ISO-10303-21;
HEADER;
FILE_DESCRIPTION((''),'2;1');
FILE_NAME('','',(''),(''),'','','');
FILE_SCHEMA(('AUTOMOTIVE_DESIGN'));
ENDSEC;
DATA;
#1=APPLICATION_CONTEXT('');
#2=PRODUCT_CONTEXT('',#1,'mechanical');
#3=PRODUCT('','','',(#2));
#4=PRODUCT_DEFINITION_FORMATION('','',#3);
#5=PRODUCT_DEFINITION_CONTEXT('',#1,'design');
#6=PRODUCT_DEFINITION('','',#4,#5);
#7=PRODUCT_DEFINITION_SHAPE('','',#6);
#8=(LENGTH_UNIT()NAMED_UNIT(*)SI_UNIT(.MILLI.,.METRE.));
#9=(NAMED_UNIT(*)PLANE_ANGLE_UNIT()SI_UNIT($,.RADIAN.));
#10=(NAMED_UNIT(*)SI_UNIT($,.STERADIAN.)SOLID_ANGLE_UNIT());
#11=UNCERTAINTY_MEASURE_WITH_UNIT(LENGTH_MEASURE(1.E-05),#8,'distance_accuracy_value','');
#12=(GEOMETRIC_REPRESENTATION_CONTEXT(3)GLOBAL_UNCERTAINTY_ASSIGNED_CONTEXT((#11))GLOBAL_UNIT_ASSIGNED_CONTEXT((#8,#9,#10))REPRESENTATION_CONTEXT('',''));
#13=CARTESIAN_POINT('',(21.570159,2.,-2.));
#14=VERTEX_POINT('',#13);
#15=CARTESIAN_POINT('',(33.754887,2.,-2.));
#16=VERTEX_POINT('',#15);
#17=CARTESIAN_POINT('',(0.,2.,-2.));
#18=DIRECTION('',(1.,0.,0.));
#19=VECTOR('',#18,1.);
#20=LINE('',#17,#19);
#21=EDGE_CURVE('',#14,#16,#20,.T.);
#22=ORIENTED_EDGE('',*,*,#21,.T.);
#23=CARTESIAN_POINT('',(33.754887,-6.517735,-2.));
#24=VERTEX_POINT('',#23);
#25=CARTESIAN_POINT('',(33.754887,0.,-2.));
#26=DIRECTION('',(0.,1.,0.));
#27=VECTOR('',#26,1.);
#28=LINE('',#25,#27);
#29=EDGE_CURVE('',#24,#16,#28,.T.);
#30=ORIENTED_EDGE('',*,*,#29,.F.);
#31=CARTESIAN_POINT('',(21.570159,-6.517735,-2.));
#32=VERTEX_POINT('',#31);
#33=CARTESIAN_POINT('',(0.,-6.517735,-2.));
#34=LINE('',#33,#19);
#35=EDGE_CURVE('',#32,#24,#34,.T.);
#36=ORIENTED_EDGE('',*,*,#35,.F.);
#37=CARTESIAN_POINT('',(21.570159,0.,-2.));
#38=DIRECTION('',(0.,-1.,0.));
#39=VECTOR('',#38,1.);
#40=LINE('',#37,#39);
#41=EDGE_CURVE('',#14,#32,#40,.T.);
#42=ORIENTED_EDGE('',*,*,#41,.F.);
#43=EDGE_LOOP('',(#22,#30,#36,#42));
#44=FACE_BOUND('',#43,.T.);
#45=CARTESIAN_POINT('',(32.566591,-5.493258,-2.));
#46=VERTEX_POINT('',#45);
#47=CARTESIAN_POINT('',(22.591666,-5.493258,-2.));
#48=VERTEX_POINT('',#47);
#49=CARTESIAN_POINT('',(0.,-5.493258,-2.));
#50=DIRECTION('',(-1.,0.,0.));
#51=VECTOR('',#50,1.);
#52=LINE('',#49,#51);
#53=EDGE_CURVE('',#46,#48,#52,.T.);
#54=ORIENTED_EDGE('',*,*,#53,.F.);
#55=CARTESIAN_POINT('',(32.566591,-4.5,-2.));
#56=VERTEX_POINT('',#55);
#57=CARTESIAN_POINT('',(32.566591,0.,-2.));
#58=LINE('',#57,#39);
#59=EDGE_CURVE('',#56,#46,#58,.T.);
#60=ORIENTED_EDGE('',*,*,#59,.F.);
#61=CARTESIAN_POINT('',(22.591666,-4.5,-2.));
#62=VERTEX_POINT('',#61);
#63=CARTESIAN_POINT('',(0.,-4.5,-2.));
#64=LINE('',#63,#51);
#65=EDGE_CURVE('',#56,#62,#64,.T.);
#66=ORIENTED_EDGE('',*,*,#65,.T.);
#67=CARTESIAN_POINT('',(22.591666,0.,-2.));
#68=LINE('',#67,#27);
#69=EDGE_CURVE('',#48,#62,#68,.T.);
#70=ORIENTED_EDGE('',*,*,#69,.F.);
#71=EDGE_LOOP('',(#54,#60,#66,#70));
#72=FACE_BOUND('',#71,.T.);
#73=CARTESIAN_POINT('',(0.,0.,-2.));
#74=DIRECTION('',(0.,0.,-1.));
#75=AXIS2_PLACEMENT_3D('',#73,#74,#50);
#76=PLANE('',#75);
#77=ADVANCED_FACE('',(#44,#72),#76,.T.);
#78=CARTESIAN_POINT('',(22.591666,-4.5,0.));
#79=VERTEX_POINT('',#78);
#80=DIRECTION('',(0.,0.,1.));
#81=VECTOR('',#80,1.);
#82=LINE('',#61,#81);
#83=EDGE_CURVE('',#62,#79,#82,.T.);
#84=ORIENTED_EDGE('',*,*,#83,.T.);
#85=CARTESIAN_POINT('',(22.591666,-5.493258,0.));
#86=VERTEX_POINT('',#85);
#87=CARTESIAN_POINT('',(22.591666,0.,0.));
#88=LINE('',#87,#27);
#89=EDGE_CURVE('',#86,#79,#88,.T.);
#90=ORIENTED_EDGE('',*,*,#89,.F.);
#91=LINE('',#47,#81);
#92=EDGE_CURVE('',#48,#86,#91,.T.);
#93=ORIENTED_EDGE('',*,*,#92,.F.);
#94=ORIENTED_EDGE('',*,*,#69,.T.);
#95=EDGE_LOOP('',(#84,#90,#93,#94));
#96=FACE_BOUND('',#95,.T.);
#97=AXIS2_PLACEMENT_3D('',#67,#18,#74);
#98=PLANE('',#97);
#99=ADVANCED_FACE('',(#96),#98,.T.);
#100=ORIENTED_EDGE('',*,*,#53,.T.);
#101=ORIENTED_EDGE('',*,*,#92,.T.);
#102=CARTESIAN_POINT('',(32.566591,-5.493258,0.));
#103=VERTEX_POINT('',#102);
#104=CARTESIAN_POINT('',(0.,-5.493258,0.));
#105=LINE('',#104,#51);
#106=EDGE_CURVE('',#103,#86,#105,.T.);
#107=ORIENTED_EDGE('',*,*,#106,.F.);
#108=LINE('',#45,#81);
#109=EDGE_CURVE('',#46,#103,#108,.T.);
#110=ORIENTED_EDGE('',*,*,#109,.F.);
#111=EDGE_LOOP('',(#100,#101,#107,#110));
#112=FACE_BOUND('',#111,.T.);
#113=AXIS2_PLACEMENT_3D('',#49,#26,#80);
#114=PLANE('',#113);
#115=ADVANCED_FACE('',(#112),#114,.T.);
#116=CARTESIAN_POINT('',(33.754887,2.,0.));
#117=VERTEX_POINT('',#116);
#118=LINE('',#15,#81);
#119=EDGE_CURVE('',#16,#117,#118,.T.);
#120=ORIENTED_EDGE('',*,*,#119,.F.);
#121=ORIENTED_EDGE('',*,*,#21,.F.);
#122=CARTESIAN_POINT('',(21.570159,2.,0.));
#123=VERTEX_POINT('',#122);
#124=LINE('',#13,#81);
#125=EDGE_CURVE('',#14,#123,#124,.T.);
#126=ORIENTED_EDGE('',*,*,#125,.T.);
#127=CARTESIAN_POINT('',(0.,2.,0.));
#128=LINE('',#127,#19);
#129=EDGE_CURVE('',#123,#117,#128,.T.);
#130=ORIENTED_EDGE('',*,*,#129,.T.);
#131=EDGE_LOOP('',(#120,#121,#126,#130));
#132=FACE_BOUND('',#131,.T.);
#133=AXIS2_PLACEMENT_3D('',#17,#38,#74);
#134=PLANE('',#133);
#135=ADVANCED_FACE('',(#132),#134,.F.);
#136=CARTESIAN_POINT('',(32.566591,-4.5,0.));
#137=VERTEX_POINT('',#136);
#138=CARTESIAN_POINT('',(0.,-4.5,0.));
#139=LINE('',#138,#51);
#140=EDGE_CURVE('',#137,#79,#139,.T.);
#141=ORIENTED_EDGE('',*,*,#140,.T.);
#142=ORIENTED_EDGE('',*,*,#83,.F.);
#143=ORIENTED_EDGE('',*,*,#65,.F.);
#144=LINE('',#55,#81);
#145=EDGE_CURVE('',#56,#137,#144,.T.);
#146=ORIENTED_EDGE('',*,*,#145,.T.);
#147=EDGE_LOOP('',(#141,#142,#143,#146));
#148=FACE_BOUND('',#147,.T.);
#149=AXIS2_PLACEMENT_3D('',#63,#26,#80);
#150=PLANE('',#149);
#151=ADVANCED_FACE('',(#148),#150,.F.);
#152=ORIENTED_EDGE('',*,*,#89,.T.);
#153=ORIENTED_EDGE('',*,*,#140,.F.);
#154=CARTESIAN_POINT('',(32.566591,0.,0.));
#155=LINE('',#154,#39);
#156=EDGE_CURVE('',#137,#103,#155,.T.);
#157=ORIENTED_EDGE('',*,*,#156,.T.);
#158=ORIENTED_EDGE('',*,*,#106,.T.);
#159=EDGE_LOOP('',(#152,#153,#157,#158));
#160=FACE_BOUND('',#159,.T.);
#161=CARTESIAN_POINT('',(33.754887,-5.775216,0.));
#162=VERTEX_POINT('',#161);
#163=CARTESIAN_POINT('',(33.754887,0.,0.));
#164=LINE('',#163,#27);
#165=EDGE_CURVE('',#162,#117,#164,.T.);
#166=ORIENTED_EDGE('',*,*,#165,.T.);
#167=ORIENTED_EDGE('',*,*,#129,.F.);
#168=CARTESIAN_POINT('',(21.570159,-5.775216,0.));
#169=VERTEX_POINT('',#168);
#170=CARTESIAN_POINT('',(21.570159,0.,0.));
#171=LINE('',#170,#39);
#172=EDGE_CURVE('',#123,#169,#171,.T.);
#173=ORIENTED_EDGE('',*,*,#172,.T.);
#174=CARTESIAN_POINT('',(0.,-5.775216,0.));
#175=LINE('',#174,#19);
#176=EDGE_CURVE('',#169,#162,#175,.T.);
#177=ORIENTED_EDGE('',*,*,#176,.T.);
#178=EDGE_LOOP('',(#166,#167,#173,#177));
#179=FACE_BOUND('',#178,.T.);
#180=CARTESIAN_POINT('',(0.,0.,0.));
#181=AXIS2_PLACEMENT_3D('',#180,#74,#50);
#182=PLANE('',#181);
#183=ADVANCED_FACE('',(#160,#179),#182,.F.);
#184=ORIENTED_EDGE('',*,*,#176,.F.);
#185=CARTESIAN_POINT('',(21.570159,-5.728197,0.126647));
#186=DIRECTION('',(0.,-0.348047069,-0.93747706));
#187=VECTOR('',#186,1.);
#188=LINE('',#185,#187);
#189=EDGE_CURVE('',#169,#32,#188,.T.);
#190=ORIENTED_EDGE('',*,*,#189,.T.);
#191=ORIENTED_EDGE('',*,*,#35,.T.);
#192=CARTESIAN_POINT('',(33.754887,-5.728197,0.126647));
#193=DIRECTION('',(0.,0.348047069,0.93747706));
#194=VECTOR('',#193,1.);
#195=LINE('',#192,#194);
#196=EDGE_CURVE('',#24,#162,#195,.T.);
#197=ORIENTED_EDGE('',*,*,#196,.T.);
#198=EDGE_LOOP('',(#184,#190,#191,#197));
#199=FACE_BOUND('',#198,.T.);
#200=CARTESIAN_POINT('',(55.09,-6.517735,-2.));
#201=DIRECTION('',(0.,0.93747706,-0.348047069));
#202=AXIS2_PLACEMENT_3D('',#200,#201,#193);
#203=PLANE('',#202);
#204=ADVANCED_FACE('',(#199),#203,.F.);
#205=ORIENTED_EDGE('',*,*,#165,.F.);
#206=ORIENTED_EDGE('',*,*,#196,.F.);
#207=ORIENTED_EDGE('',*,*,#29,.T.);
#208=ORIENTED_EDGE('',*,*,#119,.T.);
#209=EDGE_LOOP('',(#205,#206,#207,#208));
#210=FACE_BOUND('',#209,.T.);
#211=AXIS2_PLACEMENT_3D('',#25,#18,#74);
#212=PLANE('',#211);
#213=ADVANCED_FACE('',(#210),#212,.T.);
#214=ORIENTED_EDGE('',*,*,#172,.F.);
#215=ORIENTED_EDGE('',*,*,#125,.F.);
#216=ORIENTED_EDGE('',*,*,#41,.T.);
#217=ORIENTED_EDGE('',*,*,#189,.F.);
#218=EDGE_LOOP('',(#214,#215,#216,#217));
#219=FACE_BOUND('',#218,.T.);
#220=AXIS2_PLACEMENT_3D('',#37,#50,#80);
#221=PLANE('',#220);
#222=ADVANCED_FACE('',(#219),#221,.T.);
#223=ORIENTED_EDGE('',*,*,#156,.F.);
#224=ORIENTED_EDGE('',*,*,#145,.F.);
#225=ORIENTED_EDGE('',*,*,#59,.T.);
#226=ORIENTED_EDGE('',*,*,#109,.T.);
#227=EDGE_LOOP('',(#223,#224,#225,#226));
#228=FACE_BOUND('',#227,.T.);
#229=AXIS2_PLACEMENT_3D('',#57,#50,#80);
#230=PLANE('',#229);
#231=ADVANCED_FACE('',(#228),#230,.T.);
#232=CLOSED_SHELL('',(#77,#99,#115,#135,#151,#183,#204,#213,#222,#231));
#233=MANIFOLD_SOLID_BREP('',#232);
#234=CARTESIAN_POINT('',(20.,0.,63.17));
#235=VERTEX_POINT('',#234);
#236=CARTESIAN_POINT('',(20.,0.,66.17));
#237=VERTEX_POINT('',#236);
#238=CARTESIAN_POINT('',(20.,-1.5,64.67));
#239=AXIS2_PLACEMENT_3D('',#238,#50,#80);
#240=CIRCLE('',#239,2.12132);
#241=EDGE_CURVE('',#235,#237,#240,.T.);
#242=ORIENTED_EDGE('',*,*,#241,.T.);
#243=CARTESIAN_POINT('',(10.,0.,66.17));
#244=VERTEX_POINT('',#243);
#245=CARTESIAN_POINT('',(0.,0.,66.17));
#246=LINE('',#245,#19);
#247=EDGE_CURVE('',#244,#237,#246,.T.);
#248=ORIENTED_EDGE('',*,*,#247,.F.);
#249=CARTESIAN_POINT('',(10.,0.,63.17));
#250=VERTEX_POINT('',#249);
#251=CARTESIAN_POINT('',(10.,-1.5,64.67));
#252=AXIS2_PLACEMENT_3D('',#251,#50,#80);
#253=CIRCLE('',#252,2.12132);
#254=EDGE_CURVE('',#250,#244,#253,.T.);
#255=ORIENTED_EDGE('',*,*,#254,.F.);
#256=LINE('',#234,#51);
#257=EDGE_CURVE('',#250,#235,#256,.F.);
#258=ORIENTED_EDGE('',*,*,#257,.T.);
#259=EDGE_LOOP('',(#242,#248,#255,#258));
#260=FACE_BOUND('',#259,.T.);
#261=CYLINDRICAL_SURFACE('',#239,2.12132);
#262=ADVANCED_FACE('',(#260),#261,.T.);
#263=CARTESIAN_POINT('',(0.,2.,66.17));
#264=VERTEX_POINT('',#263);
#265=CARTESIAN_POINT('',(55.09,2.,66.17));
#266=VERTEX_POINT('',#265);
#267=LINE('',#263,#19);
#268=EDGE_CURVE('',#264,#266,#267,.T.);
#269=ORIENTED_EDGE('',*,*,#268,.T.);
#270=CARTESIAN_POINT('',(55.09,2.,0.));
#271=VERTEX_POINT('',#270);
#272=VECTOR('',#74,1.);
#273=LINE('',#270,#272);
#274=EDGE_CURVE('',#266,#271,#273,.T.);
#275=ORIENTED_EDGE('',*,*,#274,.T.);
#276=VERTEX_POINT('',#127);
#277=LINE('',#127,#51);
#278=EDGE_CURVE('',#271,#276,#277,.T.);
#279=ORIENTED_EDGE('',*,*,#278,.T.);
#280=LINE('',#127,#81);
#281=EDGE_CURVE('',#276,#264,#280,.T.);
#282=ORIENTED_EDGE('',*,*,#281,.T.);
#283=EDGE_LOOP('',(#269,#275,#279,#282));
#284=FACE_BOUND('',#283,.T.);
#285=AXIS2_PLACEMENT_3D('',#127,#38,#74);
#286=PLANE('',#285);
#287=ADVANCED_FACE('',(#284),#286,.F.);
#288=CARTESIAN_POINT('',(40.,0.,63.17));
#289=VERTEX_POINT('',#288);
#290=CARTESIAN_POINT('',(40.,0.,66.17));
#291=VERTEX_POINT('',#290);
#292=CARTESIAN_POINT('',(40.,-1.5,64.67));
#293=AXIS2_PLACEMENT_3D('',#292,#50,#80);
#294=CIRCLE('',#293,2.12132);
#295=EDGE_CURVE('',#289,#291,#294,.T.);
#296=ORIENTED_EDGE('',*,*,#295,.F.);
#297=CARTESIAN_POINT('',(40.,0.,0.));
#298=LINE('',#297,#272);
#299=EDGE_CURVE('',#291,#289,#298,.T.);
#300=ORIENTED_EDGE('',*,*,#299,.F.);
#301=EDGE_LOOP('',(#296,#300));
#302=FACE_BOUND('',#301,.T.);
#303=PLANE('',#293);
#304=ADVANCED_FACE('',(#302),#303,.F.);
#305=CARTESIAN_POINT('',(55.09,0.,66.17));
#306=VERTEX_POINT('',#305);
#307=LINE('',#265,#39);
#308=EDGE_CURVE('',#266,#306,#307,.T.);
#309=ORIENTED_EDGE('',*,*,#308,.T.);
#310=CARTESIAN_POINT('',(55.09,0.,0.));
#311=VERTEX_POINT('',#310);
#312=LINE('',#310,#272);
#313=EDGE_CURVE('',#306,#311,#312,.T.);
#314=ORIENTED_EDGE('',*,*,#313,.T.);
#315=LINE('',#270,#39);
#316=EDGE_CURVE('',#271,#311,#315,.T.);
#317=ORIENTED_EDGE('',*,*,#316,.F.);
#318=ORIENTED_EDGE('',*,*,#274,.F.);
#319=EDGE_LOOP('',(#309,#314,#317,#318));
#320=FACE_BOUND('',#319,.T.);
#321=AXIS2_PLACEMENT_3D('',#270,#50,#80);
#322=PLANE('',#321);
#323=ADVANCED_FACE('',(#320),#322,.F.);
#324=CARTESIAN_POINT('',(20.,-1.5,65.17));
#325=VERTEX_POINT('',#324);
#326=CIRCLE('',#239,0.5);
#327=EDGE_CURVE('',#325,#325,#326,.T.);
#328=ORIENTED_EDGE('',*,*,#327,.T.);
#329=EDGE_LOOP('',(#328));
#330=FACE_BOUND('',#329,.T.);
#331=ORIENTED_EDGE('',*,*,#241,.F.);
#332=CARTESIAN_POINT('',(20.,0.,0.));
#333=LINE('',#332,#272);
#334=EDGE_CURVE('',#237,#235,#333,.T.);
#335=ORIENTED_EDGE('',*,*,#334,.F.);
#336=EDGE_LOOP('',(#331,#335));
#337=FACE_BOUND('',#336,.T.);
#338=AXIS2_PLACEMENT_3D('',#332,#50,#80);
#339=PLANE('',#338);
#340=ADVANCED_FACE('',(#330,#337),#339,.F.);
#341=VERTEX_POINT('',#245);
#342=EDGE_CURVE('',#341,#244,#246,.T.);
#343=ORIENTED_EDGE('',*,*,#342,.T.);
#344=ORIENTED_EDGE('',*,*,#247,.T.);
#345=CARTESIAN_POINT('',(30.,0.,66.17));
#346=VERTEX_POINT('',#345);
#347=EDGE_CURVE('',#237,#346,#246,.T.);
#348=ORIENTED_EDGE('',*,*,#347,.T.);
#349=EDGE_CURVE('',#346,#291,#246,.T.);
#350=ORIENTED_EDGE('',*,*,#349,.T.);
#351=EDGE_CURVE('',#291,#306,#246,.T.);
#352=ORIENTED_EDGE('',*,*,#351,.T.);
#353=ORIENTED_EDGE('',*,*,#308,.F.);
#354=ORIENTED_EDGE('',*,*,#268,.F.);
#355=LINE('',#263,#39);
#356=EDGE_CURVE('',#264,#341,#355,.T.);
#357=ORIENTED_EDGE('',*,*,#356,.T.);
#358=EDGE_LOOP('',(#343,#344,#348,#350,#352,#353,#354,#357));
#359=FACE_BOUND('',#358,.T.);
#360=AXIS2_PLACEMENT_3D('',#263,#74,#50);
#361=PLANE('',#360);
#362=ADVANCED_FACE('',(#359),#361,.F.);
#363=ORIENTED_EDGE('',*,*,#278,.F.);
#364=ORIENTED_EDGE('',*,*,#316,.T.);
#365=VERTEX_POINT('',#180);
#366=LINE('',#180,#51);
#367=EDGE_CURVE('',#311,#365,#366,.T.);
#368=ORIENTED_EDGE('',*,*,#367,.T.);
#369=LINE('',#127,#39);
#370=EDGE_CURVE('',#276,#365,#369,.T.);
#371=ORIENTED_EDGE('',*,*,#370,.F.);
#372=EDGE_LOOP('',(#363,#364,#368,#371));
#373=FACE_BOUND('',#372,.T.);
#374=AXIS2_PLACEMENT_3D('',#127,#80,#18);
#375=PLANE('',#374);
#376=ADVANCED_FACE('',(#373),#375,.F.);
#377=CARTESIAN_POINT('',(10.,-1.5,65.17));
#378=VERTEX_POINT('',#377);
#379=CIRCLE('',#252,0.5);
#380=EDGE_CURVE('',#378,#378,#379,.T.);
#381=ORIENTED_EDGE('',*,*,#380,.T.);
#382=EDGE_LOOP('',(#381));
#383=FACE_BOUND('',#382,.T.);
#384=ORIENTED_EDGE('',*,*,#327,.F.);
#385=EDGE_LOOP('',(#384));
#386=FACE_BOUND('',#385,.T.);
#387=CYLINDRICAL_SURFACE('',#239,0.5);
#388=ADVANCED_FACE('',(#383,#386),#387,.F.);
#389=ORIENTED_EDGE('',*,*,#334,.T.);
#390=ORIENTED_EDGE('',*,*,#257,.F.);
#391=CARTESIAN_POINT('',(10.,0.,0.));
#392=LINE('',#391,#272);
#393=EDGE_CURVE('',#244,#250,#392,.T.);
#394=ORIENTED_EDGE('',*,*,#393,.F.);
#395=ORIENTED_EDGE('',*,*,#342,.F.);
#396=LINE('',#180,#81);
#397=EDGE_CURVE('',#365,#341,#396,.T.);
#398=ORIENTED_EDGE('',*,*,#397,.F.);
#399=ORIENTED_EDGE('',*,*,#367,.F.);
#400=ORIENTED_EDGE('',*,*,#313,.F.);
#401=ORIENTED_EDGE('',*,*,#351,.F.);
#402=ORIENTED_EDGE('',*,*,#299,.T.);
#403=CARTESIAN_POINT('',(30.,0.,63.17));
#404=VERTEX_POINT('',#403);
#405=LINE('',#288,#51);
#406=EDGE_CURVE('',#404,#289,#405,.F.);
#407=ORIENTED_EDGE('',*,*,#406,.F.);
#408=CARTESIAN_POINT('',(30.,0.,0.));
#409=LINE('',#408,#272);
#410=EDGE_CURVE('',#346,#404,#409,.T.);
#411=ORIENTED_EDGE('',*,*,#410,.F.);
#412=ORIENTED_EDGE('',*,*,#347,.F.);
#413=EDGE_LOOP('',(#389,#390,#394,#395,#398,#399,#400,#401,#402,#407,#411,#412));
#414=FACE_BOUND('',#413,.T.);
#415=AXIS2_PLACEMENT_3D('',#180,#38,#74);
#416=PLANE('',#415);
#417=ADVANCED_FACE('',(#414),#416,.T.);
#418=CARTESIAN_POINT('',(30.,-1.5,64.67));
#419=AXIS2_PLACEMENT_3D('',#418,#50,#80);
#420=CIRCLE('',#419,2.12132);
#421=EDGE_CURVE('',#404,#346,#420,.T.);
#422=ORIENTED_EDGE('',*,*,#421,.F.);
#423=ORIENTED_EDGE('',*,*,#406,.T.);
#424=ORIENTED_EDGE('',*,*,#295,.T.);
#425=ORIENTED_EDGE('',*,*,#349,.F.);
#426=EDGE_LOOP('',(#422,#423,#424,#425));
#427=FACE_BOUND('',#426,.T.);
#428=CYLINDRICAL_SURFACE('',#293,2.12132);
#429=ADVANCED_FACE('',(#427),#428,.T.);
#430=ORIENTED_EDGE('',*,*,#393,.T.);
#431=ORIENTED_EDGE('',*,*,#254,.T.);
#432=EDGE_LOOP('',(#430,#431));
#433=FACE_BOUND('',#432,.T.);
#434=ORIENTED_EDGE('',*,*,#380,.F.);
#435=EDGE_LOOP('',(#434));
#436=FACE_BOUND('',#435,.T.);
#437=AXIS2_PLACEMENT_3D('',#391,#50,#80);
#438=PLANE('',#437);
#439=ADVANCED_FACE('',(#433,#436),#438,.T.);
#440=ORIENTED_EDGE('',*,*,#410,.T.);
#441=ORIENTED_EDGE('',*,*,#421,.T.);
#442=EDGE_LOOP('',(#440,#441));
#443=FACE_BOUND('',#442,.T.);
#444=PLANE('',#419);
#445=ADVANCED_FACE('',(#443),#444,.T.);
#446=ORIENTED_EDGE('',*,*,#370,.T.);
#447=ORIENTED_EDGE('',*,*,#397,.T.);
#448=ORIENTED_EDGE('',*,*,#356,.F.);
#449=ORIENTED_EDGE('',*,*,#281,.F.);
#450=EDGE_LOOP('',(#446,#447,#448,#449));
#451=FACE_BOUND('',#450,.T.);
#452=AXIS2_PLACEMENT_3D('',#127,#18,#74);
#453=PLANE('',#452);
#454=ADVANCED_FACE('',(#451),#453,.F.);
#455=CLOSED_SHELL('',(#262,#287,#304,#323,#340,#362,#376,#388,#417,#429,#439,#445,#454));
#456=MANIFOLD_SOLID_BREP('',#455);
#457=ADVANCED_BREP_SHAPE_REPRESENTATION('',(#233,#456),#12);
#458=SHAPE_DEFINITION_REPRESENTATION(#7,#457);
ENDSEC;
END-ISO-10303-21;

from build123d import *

# Parameters (mm, degrees)
SKETCH1_W               = 55.09
SKETCH1_H               = 66.17
BOSS_EXTRUDE1_DEPTH     = 2
SKETCH2_R               = 2.121320344
SKETCH2_R_2             = 0.5
BOSS_EXTRUDE2_DEPTH     = 10
SKETCH3_R               = 2.121320344
BOSS_EXTRUDE3_DEPTH     = 10
SKETCH4_W               = 12.184728623
SKETCH4_H               = 8.517734669
SKETCH4_W_2             = 9.974925384
SKETCH4_H_2             = 0.993258381
BOSS_EXTRUDE4_DEPTH     = 2
CUT_EXTRUDE1_DEPTH      = 76.014272697
CUT_EXTRUDE1_DEPTH_BACK = 76.014272697


with BuildPart() as part:
    # Sketch1 → Boss-Extrude1 (new body)
    with BuildSketch(Plane(origin=(0, 0, 0), x_dir=(1, 0, 0), z_dir=(0, 1, 0))):
        with Locations((27.545, -33.085)):
            Rectangle(SKETCH1_W, SKETCH1_H)
    extrude(amount=BOSS_EXTRUDE1_DEPTH)

    # Sketch2 → Boss-Extrude2 (add)
    with BuildSketch(Plane.ZY.offset(-10)):
        with Locations((64.67, -1.5)):
            Circle(SKETCH2_R)
        with Locations((64.67, -1.5)):
            Circle(SKETCH2_R_2, mode=Mode.SUBTRACT)
    extrude(amount=-BOSS_EXTRUDE2_DEPTH)

    # Sketch3 → Boss-Extrude3 (add)
    with BuildSketch(Plane.ZY.offset(-30)):
        with Locations((64.67, -1.5)):
            Circle(SKETCH3_R)
    extrude(amount=-BOSS_EXTRUDE3_DEPTH)


with BuildPart() as body_2:
    # Sketch4 → Boss-Extrude4 (new body)
    with BuildSketch(Plane(origin=(0, 0, 0), x_dir=(-1, 0, 0), z_dir=(0, 0, -1))):
        with Locations((-27.662522877, -2.258867335)):
            Rectangle(SKETCH4_W, SKETCH4_H)
        with Locations((-27.57912851, -4.996629191)):
            Rectangle(SKETCH4_W_2, SKETCH4_H_2, mode=Mode.SUBTRACT)
    extrude(amount=BOSS_EXTRUDE4_DEPTH)

    # Sketch6 → Cut-Extrude1 (cut, two sides: drawn at the far end of the back side and taken through both)
    with BuildSketch(Plane.ZY.offset(-21.570158565).offset(-CUT_EXTRUDE1_DEPTH_BACK)):
        Polygon((-2, -6.517734669), (0, -5.775216088), (0, -6.517734669), align=None)
    extrude(amount=CUT_EXTRUDE1_DEPTH + CUT_EXTRUDE1_DEPTH_BACK, mode=Mode.SUBTRACT)


solid = Compound([part.part, body_2.part])
